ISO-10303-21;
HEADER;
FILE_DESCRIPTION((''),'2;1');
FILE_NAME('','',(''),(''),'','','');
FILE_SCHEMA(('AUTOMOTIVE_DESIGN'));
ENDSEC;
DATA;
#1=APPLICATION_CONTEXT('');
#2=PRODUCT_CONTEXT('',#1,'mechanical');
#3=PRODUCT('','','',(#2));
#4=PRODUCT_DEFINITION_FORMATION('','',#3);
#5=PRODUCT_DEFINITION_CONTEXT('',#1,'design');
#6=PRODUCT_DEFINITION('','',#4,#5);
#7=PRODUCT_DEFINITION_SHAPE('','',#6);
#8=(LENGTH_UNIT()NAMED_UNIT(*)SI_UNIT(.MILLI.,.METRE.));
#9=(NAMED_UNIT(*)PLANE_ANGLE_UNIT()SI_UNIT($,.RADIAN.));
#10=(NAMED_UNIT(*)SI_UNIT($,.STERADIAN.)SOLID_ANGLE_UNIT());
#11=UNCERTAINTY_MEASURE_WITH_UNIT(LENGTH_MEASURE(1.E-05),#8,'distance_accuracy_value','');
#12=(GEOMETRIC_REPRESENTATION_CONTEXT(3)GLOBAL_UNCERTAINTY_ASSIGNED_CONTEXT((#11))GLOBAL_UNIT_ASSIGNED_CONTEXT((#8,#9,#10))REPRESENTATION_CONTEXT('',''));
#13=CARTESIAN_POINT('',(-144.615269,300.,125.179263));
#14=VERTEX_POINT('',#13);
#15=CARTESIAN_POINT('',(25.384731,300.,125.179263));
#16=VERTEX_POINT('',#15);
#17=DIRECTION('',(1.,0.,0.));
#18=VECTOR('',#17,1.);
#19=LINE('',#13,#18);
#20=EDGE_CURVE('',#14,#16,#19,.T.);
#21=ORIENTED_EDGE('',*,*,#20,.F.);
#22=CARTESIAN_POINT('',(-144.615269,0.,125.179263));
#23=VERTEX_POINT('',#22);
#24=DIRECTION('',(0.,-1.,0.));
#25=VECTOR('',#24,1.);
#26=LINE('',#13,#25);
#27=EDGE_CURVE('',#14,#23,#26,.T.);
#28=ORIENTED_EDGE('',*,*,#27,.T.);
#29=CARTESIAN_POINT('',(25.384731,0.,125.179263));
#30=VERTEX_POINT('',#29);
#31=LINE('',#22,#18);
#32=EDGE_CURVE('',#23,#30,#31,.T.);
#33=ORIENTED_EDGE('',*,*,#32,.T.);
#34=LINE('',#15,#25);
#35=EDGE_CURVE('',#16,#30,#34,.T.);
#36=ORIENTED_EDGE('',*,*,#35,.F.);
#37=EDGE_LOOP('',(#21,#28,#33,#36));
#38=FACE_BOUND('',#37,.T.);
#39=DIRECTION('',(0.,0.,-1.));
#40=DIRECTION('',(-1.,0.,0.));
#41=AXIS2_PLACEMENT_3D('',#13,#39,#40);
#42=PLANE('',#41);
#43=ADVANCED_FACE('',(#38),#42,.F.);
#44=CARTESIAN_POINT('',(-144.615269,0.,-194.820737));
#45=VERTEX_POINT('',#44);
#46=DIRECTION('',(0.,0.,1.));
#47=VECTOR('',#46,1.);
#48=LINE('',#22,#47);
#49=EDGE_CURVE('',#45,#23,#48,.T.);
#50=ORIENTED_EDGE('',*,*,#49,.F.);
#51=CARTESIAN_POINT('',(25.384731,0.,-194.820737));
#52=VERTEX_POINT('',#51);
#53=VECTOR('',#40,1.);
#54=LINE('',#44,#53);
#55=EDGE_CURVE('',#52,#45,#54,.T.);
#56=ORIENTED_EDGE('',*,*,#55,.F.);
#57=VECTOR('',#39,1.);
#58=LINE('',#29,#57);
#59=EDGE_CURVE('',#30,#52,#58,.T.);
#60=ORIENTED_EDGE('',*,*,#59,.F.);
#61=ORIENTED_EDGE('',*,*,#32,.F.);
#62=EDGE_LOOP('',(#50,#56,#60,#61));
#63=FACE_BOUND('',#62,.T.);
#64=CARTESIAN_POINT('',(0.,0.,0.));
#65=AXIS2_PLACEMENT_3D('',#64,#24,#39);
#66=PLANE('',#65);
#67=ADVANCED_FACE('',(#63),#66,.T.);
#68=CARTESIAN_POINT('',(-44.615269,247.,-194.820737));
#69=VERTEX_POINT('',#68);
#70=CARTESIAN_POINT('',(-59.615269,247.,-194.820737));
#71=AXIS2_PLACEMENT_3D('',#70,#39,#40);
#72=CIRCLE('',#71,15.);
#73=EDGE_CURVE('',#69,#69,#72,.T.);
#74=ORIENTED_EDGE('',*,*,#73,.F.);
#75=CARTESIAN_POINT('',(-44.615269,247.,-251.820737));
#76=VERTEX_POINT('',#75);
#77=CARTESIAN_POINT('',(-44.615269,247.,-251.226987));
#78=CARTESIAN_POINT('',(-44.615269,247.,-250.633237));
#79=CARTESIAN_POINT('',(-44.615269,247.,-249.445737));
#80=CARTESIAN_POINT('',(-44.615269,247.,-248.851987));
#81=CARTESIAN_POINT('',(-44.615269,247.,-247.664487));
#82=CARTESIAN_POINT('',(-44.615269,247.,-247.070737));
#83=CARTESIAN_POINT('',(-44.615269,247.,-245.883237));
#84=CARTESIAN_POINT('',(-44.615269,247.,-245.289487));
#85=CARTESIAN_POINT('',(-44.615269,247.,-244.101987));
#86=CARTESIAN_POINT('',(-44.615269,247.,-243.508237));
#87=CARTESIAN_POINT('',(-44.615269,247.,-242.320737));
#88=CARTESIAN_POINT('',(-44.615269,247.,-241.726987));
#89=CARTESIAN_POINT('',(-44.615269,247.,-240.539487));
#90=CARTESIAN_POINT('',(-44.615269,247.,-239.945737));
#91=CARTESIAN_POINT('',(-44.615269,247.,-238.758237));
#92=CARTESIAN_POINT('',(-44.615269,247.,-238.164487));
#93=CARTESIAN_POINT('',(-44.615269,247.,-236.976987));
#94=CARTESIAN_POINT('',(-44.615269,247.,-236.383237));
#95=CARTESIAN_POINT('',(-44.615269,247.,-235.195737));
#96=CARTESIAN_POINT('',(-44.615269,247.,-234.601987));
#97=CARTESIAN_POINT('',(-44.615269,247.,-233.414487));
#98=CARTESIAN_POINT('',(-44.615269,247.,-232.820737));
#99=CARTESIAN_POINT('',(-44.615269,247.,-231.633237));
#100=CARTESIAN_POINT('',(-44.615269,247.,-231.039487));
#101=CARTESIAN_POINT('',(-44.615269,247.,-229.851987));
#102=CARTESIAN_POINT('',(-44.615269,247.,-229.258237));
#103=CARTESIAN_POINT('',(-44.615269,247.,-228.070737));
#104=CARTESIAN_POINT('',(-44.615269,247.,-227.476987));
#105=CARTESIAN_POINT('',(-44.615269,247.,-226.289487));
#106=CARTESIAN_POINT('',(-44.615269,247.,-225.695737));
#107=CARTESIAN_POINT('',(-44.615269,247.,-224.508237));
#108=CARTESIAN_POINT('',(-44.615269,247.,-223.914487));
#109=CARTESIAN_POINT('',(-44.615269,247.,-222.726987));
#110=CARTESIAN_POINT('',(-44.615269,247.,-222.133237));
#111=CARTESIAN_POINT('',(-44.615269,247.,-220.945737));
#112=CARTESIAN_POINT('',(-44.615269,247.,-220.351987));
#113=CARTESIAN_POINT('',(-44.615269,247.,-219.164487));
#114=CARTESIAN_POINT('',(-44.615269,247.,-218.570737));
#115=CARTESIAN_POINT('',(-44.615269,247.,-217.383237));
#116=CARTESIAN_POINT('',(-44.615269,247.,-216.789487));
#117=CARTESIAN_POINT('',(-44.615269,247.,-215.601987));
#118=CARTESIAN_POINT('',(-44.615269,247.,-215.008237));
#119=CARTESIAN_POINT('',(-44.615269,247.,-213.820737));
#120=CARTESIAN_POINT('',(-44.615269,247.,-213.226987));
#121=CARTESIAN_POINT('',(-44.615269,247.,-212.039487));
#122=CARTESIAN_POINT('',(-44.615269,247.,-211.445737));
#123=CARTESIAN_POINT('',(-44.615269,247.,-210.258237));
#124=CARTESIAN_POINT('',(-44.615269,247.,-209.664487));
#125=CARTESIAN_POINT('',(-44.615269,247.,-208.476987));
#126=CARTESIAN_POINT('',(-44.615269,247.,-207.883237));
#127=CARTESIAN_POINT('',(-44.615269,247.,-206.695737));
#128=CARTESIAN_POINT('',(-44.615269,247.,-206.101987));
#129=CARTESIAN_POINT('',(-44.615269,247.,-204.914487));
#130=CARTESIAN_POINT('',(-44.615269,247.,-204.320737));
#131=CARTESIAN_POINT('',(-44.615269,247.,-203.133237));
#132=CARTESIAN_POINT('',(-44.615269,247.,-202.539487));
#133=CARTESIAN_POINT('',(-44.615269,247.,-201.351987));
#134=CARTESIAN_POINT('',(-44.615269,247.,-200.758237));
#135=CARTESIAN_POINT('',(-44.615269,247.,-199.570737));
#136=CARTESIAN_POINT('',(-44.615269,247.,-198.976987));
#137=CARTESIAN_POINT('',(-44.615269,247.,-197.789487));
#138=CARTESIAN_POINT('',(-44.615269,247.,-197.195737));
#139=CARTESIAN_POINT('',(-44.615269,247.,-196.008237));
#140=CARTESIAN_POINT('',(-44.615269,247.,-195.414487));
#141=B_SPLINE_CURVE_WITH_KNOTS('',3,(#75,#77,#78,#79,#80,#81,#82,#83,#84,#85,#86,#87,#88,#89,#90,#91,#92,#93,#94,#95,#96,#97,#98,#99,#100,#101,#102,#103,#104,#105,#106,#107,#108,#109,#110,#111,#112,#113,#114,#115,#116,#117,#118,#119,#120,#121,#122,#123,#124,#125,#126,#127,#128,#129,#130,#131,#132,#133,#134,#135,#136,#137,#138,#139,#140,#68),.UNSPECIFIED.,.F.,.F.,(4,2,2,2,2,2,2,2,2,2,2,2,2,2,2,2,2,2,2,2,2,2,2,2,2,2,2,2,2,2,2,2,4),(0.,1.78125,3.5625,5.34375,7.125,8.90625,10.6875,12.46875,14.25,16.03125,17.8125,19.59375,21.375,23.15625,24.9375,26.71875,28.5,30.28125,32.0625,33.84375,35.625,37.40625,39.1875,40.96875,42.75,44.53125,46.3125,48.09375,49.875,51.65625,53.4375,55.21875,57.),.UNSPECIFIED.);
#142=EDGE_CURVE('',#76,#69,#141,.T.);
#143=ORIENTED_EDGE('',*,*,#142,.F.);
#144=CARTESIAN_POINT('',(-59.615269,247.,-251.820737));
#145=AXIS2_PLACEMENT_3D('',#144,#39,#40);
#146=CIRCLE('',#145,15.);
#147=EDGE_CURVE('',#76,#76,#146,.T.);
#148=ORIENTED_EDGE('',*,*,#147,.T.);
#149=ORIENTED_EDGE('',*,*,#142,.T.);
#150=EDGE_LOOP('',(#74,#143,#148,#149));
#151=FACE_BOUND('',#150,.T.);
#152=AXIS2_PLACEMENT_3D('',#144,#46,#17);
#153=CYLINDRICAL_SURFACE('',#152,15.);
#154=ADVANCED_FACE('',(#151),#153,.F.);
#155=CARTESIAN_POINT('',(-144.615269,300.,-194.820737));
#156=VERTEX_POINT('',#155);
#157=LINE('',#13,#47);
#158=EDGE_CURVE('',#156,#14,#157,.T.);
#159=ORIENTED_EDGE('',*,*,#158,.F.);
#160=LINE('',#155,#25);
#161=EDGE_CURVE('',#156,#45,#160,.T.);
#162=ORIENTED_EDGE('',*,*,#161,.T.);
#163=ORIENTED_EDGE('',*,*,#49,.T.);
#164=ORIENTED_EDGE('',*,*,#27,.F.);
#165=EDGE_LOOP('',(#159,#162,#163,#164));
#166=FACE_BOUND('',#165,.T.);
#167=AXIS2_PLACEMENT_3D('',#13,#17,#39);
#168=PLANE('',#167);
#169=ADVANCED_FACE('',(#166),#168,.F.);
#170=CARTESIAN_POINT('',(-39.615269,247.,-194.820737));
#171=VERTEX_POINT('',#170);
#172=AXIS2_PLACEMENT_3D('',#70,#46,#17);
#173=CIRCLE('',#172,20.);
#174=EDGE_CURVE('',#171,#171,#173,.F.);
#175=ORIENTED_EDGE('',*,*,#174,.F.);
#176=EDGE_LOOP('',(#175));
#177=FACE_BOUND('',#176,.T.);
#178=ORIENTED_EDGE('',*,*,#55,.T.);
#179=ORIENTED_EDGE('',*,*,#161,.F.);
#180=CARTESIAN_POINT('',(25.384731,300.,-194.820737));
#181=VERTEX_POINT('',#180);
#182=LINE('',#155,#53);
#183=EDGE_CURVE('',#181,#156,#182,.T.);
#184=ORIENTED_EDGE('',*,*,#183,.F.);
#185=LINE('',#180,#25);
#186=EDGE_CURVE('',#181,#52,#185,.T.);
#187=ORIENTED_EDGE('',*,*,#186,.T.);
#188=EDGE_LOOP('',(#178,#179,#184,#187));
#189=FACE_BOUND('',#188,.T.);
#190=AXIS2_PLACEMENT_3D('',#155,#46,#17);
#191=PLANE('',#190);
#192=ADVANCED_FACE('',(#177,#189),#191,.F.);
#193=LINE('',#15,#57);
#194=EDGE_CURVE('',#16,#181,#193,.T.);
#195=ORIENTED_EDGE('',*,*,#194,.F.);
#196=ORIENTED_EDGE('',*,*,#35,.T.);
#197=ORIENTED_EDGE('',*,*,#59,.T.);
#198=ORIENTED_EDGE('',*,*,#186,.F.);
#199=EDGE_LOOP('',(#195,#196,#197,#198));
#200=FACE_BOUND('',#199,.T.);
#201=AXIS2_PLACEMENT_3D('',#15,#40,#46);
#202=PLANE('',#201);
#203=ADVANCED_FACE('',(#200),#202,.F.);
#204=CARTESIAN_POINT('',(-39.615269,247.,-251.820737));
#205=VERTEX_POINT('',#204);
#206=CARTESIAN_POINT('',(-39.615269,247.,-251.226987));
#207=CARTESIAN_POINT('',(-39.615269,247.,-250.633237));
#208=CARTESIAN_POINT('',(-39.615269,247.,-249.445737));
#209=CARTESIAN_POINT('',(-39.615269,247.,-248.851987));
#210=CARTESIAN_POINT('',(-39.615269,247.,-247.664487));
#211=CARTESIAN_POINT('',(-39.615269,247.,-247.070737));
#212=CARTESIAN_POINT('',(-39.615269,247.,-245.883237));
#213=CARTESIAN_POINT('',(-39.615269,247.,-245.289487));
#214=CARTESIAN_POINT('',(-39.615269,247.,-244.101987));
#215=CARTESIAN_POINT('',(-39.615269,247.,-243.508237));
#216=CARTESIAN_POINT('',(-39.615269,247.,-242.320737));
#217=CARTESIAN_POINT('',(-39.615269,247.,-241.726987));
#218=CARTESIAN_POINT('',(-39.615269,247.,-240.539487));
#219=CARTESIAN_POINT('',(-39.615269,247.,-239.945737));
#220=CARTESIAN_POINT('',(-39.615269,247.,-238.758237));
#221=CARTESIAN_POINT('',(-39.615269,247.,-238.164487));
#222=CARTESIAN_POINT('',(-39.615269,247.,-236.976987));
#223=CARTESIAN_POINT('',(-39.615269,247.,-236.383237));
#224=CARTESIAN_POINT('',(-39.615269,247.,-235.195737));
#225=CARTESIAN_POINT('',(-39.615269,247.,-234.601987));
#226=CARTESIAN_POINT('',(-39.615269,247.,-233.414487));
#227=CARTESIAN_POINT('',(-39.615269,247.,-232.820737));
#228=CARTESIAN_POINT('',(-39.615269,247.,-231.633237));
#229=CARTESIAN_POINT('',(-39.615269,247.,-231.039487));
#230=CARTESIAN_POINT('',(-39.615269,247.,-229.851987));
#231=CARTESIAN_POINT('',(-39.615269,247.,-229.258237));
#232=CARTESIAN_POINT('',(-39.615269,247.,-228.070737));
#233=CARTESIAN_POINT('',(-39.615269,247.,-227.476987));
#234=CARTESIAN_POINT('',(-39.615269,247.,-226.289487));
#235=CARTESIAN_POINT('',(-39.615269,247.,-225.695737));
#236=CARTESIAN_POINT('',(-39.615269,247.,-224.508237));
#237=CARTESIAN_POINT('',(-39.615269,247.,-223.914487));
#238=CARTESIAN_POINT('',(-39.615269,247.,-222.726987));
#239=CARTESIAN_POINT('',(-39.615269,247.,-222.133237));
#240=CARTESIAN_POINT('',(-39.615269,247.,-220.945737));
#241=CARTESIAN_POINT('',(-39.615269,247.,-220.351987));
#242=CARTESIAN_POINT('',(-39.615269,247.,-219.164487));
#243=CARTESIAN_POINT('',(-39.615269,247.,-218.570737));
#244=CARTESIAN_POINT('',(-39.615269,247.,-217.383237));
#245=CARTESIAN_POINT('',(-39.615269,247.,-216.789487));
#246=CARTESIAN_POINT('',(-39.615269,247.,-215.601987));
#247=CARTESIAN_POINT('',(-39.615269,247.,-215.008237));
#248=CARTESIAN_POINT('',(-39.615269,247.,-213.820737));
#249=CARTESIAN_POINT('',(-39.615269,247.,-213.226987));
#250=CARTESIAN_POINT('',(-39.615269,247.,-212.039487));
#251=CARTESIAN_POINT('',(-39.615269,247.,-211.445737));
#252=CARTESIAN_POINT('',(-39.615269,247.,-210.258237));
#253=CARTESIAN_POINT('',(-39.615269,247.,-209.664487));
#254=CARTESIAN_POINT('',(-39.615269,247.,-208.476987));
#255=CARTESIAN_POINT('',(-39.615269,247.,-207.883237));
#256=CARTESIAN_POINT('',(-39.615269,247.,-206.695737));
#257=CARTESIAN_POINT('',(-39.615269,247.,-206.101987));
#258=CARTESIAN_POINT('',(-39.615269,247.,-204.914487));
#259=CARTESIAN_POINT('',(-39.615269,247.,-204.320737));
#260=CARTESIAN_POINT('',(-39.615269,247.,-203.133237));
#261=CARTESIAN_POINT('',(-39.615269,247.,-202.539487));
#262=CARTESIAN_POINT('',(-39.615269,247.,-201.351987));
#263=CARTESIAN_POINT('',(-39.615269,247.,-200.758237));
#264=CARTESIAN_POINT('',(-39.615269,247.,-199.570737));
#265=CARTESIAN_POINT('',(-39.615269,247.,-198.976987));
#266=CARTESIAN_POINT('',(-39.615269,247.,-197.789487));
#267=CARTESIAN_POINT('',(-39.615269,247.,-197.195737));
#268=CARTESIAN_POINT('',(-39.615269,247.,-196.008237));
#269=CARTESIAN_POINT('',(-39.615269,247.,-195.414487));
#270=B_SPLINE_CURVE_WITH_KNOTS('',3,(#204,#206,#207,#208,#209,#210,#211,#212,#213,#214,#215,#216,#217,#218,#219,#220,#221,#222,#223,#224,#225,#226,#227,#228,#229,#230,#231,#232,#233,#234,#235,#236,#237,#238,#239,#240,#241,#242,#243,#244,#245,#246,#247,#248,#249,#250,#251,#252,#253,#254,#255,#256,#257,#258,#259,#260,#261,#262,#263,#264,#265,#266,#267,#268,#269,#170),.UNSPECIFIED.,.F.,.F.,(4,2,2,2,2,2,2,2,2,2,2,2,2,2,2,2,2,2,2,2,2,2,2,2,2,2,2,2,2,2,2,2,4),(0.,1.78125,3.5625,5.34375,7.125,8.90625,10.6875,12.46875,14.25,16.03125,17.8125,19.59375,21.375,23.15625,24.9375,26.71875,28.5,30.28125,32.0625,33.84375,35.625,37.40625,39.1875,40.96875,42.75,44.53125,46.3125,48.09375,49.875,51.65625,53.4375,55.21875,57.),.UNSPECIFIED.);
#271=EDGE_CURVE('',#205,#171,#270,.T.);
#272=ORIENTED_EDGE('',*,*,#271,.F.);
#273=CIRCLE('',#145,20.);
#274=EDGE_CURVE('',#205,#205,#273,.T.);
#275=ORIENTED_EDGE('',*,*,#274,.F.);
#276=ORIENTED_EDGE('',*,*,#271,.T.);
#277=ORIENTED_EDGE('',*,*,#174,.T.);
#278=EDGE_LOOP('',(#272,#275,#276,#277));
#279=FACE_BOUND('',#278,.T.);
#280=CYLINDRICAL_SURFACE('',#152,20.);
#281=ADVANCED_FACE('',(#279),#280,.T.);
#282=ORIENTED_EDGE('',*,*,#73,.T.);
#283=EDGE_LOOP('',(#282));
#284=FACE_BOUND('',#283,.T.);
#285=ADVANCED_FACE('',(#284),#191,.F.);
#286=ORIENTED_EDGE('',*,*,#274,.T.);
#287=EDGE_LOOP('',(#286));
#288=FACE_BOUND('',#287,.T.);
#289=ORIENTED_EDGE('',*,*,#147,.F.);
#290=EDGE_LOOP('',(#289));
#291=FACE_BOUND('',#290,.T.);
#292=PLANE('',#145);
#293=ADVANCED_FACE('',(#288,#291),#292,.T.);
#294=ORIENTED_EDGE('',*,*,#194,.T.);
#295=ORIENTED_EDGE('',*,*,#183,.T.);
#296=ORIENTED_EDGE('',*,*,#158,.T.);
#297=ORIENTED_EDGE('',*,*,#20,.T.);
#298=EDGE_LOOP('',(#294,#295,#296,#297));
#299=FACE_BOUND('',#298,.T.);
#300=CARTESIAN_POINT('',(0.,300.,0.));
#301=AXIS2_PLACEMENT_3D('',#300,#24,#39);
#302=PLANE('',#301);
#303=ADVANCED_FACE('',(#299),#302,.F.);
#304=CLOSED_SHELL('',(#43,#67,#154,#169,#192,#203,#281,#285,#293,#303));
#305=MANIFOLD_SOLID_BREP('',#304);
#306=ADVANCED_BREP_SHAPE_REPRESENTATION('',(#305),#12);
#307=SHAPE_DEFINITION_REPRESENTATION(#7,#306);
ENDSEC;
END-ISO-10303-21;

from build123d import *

# Parameters (mm, degrees)
SKETCH3_W           = 170
SKETCH3_H           = 320
BOSS_EXTRUDE2_DEPTH = 300
SKETCH6_R           = 20
SKETCH6_R_2         = 15
BOSS_EXTRUDE4_DEPTH = 57


with BuildPart() as part:
    # Sketch3 → Boss-Extrude2 (new body)
    with BuildSketch(Plane(origin=(0, 0, 0), x_dir=(1, 0, 0), z_dir=(0, 1, 0))):
        with Locations((-59.615269212, 34.820736789)):
            Rectangle(SKETCH3_W, SKETCH3_H)
    extrude(amount=BOSS_EXTRUDE2_DEPTH)

    # Sketch6 → Boss-Extrude4 (add)
    with BuildSketch(Plane(origin=(0, 0, -194.820736789), x_dir=(-1, 0, 0), z_dir=(0, 0, -1))):
        with Locations(Location((59.615269212, 247, 0), (0, 0, 180))):
            Circle(SKETCH6_R)
        with Locations(Location((59.615269212, 247, 0), (0, 0, 180))):
            Circle(SKETCH6_R_2, mode=Mode.SUBTRACT)
    extrude(amount=BOSS_EXTRUDE4_DEPTH)


solid = part.part
